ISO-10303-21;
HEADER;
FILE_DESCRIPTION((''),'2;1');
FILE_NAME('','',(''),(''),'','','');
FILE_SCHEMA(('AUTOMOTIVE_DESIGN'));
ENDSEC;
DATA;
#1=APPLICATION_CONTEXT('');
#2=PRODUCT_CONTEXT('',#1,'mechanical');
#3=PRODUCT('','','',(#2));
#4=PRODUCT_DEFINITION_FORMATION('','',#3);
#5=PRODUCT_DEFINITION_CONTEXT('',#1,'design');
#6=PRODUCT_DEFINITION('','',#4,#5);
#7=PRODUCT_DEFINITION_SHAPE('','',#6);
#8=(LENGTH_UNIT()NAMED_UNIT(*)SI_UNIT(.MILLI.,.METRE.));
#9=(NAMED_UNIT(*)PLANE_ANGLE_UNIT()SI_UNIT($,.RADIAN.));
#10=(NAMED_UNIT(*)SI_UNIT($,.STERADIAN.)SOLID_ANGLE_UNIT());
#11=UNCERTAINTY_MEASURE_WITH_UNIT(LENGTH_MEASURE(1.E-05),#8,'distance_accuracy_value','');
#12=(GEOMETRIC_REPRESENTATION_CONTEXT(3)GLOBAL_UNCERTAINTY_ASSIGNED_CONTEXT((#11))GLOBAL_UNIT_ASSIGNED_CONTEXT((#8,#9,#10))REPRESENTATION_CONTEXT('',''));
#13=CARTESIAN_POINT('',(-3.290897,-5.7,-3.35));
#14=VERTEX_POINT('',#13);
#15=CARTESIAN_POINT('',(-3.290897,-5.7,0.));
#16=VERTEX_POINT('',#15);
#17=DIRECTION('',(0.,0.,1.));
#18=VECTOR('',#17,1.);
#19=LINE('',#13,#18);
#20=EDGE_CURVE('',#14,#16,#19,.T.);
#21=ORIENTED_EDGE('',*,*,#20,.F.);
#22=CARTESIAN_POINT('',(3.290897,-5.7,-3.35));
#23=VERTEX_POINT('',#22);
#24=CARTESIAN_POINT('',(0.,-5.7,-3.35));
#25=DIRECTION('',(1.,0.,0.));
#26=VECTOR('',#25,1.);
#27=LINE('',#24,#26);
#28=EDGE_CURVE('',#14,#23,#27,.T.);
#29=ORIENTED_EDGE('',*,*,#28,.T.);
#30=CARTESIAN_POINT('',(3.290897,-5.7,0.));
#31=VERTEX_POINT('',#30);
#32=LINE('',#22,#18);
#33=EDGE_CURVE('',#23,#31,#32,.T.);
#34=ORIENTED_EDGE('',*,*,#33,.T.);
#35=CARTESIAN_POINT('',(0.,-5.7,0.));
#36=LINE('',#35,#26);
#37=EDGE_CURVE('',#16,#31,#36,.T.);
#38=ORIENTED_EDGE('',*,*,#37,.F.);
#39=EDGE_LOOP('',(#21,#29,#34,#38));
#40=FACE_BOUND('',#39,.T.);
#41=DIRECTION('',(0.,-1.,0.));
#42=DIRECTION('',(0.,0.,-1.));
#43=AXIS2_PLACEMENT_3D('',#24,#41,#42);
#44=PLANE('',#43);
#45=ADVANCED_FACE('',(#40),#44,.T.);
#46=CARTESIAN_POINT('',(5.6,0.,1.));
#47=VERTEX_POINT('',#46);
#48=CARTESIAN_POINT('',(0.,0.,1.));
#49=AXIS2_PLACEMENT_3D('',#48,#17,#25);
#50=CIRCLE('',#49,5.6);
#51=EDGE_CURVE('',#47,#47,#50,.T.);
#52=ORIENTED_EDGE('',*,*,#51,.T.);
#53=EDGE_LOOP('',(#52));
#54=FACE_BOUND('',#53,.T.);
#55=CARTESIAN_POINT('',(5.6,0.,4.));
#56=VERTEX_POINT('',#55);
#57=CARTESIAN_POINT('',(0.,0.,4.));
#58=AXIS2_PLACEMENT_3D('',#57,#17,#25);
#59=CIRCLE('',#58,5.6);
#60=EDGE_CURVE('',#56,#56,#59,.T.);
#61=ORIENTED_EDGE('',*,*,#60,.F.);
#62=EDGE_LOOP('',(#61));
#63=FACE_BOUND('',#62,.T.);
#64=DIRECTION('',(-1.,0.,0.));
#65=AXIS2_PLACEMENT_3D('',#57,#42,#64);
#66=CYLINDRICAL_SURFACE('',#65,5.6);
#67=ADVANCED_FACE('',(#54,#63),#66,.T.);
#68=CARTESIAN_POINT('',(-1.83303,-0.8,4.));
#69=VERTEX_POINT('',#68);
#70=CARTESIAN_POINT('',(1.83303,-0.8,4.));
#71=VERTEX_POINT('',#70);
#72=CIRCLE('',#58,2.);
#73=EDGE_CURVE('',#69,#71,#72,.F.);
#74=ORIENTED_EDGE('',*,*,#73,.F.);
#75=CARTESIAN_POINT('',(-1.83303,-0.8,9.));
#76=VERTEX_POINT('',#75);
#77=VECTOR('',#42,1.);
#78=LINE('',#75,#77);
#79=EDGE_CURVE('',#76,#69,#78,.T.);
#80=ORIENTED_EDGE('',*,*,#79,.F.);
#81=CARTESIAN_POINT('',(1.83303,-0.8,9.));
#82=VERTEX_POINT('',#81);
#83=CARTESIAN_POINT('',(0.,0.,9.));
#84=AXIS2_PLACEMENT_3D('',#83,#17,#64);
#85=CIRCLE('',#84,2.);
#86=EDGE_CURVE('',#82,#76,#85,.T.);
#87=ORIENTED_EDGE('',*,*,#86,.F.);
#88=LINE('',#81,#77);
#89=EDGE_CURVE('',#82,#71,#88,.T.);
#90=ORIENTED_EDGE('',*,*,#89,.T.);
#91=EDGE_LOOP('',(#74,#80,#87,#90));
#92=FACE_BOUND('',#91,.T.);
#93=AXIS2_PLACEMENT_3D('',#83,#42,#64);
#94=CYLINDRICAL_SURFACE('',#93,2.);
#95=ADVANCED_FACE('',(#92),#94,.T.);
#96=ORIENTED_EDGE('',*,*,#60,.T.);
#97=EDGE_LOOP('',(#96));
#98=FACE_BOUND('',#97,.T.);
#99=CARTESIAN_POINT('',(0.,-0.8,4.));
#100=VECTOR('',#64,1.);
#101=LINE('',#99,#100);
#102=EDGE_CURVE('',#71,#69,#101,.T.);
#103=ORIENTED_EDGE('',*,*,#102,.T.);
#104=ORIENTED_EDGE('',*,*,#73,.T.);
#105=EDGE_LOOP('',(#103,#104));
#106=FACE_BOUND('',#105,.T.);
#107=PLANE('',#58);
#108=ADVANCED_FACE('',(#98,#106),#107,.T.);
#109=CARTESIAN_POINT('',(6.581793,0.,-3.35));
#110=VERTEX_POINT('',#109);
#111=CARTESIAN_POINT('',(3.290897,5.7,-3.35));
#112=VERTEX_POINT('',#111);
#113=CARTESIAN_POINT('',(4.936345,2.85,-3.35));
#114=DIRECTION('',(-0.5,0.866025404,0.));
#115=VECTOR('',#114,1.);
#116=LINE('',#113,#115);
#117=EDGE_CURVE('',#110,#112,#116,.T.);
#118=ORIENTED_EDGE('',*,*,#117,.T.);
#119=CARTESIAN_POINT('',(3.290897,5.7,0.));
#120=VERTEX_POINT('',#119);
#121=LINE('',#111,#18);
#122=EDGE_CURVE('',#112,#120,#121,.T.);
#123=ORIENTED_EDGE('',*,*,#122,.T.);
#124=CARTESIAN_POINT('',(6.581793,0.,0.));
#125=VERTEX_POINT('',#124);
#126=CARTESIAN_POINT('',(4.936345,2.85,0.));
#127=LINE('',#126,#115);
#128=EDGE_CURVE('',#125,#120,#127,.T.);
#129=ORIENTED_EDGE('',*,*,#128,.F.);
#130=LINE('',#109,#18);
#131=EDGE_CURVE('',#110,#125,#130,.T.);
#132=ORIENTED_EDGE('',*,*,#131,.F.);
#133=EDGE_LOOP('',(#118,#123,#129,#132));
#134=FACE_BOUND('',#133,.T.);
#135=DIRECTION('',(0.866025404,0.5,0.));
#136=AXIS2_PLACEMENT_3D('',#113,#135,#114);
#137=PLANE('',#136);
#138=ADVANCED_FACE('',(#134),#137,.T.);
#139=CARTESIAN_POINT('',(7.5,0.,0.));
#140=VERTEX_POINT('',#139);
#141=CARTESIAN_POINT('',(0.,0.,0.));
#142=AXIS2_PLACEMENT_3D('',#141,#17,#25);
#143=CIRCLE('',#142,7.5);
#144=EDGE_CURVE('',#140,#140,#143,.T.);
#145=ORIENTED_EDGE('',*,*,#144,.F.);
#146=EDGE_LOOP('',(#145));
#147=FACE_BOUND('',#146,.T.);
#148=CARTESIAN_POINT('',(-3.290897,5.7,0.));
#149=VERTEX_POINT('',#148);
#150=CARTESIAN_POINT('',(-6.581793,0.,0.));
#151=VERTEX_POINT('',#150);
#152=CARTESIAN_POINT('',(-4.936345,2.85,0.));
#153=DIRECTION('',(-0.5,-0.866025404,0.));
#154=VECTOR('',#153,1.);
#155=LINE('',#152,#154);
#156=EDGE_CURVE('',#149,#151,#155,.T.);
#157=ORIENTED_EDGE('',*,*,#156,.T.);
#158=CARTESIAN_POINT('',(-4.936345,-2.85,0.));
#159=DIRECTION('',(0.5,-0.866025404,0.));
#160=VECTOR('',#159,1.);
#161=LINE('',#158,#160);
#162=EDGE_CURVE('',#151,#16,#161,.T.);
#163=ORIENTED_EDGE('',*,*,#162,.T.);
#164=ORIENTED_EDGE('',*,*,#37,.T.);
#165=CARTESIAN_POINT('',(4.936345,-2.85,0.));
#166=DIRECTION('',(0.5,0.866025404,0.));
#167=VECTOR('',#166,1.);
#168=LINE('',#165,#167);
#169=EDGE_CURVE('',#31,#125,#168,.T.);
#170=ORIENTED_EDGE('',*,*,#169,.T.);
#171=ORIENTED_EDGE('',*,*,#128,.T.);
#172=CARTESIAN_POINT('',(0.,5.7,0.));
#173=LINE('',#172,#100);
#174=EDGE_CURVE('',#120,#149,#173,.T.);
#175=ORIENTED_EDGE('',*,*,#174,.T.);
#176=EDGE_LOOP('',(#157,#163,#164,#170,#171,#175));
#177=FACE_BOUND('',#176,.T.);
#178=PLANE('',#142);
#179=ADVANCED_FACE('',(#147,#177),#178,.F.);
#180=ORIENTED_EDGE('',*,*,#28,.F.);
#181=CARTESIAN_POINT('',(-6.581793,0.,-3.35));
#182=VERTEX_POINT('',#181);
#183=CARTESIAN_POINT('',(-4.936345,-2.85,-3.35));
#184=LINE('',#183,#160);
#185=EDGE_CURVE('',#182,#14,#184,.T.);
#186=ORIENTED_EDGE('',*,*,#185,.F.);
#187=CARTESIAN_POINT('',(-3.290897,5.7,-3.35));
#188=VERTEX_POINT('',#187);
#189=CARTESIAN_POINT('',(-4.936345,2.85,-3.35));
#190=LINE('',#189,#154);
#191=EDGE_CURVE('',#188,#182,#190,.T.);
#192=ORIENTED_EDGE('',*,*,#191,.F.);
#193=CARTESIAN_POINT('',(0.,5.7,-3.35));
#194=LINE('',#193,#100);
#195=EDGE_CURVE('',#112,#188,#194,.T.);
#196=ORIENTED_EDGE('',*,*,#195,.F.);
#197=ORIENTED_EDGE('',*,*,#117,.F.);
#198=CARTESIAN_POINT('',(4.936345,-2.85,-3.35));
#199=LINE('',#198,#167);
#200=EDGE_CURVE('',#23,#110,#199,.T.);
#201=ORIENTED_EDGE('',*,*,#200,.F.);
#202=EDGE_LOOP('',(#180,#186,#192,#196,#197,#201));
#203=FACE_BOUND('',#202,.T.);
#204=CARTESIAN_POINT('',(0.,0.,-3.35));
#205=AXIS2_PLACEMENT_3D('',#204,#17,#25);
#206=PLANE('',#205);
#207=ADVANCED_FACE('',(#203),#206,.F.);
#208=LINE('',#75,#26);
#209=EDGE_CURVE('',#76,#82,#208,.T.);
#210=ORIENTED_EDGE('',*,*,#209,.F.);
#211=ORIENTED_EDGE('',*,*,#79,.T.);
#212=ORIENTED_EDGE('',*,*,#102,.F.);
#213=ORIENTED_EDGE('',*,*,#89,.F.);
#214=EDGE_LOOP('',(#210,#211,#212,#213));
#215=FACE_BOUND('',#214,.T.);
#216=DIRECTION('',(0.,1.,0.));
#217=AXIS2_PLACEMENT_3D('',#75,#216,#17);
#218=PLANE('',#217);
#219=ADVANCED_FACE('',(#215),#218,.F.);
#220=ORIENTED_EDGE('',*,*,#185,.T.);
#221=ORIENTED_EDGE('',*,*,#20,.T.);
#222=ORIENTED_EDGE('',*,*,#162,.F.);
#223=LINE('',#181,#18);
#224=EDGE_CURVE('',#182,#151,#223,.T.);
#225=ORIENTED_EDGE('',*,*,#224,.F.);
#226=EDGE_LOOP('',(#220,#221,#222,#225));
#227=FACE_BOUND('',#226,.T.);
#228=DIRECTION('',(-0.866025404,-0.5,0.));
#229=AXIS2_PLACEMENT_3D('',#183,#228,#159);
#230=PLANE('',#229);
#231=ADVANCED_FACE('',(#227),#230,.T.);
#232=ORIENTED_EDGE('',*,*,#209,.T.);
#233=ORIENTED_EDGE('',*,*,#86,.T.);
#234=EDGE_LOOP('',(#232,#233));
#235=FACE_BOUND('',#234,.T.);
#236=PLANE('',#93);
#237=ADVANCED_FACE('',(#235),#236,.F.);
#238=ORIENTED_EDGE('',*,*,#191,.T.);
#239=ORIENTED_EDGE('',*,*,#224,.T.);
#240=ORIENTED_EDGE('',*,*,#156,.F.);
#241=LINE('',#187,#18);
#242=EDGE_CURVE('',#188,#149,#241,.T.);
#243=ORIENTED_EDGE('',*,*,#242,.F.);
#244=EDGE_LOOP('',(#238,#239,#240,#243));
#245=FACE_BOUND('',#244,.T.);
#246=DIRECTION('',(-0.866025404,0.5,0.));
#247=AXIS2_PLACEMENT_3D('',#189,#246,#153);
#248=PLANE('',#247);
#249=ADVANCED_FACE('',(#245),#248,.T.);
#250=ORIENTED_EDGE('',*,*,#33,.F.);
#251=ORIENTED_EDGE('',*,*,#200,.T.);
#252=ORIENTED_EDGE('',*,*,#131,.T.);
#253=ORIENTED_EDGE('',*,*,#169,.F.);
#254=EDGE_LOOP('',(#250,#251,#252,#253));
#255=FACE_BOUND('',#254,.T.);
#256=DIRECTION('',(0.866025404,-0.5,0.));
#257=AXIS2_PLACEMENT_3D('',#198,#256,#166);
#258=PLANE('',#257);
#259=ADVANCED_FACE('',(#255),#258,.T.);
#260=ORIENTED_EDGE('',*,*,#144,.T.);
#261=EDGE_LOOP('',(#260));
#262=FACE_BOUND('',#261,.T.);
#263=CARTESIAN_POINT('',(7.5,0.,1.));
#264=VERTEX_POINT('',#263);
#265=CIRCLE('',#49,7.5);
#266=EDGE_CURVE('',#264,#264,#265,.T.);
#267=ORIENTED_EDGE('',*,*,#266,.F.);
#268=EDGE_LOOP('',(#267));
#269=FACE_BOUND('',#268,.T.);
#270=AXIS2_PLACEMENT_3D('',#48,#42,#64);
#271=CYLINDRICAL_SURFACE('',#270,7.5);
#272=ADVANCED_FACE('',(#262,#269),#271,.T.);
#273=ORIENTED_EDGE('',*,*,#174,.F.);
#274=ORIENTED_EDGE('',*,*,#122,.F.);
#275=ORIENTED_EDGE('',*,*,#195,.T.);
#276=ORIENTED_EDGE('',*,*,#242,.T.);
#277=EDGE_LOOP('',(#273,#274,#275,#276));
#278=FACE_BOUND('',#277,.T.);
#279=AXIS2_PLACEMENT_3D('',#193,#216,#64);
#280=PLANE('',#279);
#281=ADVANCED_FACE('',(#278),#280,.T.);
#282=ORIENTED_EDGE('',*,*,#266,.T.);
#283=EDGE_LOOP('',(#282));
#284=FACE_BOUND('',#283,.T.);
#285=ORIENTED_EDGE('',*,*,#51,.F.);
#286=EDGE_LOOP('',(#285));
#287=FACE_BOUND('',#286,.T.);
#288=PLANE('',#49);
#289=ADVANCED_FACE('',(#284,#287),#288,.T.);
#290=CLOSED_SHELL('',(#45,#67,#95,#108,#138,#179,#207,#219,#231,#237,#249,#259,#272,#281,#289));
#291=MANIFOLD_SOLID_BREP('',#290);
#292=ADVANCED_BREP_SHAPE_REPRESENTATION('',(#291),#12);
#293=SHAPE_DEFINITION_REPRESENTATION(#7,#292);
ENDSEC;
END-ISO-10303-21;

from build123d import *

# Parameters (mm, degrees)
SKETCH1_R           = 7.5
SKETCH1_R_2         = 5.6
BOSS_EXTRUDE1_DEPTH = 1
BOSS_EXTRUDE2_DEPTH = 3.35
BOSS_EXTRUDE3_START = 1
SKETCH1_4_R         = 5.6
BOSS_EXTRUDE3_DEPTH = 3
BOSS_EXTRUDE4_DEPTH = 5


with BuildPart() as part:
    # Sketch1 → Boss-Extrude1 (new body)
    with BuildSketch(Plane.XY):
        Circle(SKETCH1_R)
        Polygon((-3.290896534, 5.7), (-6.581793069, 0), (-3.290896534, -5.7), (3.290896534, -5.7), (6.581793069, 0), (3.290896534, 5.7), align=None, mode=Mode.SUBTRACT)
        Circle(SKETCH1_R)
        Circle(SKETCH1_R_2, mode=Mode.SUBTRACT)
        Circle(SKETCH1_R_2)
    extrude(amount=BOSS_EXTRUDE1_DEPTH)

    # Sketch1<3> → Boss-Extrude2 (add)
    with BuildSketch(Plane.XY):
        Polygon((-3.290896534, -5.7), (3.290896534, -5.7), (6.581793069, 0), (3.290896534, 5.7), (-3.290896534, 5.7), (-6.581793069, 0), align=None)
    extrude(amount=-BOSS_EXTRUDE2_DEPTH)

    # Sketch1<4> → Boss-Extrude3 (add)
    with BuildSketch(Plane.XY.offset(BOSS_EXTRUDE3_START)):
        Circle(SKETCH1_4_R)
    extrude(amount=BOSS_EXTRUDE3_DEPTH)

    # Sketch2 → Boss-Extrude4 (add, symmetric)
    with BuildSketch(Plane.XY.offset(4)):
        with BuildLine():
            Line((-1.833030278, -0.8), (1.833030278, -0.8))
            ThreePointArc((1.833030278, -0.8), (0, 2), (-1.833030278, -0.8))
        make_face()
    extrude(amount=BOSS_EXTRUDE4_DEPTH, both=True)


solid = part.part
